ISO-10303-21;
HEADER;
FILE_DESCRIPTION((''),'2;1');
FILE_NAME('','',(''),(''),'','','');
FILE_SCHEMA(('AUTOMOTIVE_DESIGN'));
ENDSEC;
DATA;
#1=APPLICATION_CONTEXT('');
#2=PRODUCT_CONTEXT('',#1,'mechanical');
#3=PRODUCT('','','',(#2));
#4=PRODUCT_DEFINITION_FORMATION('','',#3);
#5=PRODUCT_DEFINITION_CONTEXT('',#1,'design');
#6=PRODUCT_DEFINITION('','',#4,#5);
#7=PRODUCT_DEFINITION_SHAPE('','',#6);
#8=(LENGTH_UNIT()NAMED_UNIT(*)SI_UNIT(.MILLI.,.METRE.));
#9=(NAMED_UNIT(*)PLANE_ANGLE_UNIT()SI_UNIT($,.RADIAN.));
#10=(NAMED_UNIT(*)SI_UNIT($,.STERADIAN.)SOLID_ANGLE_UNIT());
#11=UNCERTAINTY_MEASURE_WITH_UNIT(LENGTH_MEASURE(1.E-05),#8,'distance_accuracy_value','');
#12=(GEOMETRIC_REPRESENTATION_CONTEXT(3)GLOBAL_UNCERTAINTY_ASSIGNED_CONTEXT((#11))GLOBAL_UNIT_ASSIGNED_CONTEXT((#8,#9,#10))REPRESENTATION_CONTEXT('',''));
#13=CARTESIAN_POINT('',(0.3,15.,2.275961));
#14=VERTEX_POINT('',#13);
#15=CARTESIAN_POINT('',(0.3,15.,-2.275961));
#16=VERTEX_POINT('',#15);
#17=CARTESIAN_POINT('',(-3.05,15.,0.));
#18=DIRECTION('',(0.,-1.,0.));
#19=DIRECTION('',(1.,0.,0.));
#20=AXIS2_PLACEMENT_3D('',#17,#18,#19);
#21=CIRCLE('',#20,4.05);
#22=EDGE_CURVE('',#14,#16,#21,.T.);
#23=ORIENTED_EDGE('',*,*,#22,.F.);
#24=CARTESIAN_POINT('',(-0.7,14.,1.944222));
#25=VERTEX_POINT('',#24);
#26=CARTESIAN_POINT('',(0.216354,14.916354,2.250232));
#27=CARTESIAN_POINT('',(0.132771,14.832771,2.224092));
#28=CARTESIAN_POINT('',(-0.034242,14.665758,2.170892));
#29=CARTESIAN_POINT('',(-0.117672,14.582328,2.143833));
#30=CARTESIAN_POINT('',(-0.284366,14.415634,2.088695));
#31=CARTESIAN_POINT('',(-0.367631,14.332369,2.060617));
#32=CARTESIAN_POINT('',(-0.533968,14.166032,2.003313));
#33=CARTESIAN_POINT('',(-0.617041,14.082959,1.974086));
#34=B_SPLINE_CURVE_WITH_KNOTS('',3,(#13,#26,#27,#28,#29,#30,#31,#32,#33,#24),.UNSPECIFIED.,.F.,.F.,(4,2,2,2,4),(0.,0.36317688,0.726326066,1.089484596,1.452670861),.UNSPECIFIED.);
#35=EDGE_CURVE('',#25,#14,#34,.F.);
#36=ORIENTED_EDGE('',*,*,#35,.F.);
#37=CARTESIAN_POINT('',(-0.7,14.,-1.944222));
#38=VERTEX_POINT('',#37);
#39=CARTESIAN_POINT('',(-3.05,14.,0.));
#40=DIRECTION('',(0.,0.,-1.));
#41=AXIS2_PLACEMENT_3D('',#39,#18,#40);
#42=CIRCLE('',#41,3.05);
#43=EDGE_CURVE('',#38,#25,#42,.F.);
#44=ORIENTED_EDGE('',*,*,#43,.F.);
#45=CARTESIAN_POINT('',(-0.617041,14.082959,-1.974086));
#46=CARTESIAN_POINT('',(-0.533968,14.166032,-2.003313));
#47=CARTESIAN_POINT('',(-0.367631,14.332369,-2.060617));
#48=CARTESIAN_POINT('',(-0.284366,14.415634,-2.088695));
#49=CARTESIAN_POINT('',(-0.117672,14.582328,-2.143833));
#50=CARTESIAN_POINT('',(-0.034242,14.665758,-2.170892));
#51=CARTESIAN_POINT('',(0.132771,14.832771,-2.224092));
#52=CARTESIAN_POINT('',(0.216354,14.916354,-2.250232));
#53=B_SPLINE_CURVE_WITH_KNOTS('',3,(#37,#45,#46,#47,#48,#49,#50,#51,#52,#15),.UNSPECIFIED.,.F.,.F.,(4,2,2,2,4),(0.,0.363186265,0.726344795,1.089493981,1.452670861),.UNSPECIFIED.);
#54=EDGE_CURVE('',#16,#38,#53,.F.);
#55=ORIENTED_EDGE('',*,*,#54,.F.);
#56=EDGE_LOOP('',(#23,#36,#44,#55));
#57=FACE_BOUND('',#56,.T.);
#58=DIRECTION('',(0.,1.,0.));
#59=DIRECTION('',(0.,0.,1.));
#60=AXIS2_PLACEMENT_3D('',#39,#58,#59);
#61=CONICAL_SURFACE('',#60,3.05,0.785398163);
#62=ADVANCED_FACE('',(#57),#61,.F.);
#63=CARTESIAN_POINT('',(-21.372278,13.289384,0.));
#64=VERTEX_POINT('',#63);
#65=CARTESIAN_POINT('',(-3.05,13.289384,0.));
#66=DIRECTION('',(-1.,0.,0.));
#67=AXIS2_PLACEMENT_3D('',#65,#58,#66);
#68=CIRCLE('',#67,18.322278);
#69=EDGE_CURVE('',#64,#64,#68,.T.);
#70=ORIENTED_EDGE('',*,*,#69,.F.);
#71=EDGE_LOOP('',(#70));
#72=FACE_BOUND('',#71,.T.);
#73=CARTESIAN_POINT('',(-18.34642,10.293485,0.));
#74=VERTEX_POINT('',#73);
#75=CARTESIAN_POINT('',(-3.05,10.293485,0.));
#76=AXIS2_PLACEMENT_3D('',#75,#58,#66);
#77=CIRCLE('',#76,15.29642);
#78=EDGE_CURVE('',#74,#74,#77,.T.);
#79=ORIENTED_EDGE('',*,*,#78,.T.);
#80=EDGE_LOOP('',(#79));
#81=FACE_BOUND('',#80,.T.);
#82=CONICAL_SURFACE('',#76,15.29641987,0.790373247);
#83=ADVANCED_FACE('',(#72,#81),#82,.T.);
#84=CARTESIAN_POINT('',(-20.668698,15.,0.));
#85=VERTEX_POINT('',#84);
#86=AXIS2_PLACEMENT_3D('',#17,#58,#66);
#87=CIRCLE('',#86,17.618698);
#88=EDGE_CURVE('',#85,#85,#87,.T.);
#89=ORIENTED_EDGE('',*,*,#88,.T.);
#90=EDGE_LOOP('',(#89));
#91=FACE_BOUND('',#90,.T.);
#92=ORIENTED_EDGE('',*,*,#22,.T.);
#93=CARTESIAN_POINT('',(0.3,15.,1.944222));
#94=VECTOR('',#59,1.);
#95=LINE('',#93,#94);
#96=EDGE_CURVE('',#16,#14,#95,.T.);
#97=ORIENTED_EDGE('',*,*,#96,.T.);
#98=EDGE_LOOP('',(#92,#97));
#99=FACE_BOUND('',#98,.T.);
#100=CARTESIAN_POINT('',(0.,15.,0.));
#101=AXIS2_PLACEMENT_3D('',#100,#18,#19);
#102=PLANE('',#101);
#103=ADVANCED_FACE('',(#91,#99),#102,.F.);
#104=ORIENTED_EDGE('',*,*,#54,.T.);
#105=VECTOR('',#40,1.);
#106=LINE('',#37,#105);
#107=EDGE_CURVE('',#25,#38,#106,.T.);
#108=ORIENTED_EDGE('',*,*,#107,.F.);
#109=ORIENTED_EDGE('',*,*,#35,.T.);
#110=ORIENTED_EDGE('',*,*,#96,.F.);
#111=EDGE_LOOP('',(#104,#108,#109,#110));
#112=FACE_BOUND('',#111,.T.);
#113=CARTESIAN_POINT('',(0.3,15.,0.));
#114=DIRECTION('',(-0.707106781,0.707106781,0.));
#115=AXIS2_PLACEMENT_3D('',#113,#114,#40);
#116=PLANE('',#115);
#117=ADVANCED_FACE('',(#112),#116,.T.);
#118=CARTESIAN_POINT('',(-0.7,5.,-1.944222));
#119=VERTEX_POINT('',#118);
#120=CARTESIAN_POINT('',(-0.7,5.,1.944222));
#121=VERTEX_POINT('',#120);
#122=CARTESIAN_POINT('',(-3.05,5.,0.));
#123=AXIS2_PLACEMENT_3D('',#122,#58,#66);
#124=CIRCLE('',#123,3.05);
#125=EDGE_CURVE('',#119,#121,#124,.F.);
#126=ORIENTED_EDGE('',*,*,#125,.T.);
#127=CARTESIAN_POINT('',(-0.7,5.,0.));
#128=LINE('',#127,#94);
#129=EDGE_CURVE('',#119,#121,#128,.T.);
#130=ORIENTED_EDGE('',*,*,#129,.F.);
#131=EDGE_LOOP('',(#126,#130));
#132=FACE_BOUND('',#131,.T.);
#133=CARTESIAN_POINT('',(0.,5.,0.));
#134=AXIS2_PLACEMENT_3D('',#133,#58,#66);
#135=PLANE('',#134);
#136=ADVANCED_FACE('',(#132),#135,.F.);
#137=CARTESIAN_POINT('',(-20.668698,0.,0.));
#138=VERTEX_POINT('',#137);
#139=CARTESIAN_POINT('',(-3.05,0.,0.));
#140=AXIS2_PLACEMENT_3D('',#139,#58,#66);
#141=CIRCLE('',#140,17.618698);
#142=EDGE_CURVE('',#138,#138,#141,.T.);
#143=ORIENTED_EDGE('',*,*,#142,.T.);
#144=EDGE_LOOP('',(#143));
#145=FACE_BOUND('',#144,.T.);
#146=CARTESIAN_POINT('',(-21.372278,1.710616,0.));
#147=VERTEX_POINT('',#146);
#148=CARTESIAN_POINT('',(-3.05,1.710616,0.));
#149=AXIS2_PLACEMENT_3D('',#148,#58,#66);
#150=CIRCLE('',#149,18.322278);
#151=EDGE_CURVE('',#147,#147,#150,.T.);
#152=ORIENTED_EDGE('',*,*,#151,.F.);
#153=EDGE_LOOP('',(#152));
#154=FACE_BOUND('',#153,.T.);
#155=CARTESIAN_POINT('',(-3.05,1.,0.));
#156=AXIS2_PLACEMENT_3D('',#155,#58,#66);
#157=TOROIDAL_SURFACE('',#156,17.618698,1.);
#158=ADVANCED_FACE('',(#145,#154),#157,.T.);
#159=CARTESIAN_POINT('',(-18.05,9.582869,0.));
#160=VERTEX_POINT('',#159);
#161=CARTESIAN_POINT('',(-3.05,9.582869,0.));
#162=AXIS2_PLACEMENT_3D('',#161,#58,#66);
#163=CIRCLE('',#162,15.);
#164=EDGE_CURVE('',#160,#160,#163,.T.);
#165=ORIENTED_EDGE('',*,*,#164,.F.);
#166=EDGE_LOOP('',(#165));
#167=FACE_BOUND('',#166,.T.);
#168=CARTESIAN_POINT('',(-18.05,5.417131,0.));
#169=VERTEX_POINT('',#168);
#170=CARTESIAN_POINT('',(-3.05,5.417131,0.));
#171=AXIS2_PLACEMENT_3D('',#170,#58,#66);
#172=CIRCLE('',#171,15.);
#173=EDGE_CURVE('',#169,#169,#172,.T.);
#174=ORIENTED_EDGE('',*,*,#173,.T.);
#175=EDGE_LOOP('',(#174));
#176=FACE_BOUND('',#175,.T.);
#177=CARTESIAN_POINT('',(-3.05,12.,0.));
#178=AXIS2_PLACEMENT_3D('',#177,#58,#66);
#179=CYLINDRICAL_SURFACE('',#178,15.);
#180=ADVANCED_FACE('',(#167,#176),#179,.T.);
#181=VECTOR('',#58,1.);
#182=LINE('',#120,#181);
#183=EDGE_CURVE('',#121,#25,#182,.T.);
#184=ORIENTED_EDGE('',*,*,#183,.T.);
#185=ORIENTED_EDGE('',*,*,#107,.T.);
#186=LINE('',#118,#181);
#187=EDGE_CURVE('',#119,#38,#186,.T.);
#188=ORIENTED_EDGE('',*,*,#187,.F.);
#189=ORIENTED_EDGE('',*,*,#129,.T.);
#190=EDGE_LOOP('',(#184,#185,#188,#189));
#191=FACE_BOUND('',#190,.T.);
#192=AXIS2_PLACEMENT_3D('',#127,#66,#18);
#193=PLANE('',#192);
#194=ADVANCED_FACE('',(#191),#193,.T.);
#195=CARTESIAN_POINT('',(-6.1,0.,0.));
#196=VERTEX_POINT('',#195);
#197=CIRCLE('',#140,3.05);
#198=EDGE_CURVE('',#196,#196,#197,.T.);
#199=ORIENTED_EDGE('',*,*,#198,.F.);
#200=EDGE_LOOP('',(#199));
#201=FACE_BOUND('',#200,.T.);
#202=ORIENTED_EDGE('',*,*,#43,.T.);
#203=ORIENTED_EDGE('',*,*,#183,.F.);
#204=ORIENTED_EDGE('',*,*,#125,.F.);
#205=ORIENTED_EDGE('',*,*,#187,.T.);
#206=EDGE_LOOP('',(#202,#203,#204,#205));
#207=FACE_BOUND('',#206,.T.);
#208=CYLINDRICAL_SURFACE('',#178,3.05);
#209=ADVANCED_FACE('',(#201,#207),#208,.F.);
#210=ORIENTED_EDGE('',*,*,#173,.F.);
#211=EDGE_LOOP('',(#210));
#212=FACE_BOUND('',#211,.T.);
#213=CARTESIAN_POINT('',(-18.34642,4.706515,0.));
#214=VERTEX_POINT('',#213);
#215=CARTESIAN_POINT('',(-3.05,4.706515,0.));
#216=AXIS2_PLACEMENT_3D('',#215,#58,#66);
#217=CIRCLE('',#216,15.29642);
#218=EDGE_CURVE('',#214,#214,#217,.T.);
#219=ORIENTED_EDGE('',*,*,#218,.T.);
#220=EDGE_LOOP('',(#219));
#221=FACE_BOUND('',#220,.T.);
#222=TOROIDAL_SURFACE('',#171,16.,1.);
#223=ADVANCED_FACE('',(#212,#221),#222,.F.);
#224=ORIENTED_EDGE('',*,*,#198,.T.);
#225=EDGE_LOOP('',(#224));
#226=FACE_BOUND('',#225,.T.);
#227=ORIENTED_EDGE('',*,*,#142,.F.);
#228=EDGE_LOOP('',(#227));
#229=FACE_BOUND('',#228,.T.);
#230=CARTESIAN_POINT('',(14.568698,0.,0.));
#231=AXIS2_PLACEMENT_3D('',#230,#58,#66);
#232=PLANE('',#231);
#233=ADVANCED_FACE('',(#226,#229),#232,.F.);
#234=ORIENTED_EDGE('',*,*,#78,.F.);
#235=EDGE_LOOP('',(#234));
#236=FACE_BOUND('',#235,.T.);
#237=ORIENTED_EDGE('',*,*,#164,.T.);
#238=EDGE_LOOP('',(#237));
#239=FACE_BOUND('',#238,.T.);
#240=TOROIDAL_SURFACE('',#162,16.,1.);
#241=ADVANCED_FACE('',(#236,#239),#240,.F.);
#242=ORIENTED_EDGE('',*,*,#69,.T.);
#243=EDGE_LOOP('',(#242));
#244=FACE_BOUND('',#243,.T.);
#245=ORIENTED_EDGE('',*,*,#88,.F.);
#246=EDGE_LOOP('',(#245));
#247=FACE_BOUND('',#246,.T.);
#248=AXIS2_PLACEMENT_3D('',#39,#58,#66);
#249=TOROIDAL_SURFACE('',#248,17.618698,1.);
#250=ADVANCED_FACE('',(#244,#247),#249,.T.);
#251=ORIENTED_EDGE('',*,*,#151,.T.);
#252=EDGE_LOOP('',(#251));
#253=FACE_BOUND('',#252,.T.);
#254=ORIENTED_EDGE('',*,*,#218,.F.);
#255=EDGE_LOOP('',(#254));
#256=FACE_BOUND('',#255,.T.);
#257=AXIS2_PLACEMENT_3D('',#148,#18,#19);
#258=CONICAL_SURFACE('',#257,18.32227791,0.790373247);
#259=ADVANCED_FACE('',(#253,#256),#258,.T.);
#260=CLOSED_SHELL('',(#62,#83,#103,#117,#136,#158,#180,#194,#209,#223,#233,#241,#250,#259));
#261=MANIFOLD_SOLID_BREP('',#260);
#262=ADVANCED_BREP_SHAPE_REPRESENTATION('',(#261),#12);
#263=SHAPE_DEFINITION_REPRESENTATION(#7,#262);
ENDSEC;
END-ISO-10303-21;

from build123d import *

# Parameters (mm, degrees)
BOSS_EXTRUDE1_DEPTH = 10
CHAMFER1_SIZE       = 1


with BuildPart() as part:
    # Sketch1 → Revolve1 (revolve)
    with BuildSketch(Plane.XY):
        with BuildLine():
            Line((0, 0), (0, 15))
            Line((0, 15), (14.56869778, 15))
            ThreePointArc((14.56869778, 15), (15.493526394, 14.380384062), (15.27227791, 13.289384069))
            Line((15.27227791, 13.289384069), (12.24641987, 10.29348502))
            ThreePointArc((12.24641987, 10.29348502), (12.027075266, 9.967849524), (11.95, 9.582869089))
            Line((11.95, 9.582869089), (11.95, 5.417130911))
            ThreePointArc((11.95, 5.417130911), (12.027075266, 5.032150476), (12.24641987, 4.70651498))
            Line((12.24641987, 4.70651498), (15.27227791, 1.710615931))
            ThreePointArc((15.27227791, 1.710615931), (15.493526394, 0.619615938), (14.56869778, 0))
            Line((14.56869778, 0), (0, 0))
        make_face()
    revolve(axis=Axis((-3.05, 12, 0), (0, -1, 0)))

    # Sketch2 → Boss-Extrude1 (add)
    with BuildSketch(Plane(origin=(0, 15, 0), x_dir=(1, 0, 0), z_dir=(0, 1, 0))):
        with BuildLine():
            ThreePointArc((0, 0), (-0.18033103, 1.033198916), (-0.7, 1.94422221))
            Line((-0.7, 1.94422221), (-0.7, -1.94422221))
            ThreePointArc((-0.7, -1.94422221), (-0.18033103, -1.033198916), (0, 0))
        make_face()
    extrude(amount=-BOSS_EXTRUDE1_DEPTH)

    # Chamfer1
    chamfer1_edges = [part.edges().sort_by_distance(p)[0] for p in [
        (-0.7, 15, 0),
        (-6.1, 15, 0),
    ]]
    chamfer(chamfer1_edges, length=CHAMFER1_SIZE)


solid = part.part
